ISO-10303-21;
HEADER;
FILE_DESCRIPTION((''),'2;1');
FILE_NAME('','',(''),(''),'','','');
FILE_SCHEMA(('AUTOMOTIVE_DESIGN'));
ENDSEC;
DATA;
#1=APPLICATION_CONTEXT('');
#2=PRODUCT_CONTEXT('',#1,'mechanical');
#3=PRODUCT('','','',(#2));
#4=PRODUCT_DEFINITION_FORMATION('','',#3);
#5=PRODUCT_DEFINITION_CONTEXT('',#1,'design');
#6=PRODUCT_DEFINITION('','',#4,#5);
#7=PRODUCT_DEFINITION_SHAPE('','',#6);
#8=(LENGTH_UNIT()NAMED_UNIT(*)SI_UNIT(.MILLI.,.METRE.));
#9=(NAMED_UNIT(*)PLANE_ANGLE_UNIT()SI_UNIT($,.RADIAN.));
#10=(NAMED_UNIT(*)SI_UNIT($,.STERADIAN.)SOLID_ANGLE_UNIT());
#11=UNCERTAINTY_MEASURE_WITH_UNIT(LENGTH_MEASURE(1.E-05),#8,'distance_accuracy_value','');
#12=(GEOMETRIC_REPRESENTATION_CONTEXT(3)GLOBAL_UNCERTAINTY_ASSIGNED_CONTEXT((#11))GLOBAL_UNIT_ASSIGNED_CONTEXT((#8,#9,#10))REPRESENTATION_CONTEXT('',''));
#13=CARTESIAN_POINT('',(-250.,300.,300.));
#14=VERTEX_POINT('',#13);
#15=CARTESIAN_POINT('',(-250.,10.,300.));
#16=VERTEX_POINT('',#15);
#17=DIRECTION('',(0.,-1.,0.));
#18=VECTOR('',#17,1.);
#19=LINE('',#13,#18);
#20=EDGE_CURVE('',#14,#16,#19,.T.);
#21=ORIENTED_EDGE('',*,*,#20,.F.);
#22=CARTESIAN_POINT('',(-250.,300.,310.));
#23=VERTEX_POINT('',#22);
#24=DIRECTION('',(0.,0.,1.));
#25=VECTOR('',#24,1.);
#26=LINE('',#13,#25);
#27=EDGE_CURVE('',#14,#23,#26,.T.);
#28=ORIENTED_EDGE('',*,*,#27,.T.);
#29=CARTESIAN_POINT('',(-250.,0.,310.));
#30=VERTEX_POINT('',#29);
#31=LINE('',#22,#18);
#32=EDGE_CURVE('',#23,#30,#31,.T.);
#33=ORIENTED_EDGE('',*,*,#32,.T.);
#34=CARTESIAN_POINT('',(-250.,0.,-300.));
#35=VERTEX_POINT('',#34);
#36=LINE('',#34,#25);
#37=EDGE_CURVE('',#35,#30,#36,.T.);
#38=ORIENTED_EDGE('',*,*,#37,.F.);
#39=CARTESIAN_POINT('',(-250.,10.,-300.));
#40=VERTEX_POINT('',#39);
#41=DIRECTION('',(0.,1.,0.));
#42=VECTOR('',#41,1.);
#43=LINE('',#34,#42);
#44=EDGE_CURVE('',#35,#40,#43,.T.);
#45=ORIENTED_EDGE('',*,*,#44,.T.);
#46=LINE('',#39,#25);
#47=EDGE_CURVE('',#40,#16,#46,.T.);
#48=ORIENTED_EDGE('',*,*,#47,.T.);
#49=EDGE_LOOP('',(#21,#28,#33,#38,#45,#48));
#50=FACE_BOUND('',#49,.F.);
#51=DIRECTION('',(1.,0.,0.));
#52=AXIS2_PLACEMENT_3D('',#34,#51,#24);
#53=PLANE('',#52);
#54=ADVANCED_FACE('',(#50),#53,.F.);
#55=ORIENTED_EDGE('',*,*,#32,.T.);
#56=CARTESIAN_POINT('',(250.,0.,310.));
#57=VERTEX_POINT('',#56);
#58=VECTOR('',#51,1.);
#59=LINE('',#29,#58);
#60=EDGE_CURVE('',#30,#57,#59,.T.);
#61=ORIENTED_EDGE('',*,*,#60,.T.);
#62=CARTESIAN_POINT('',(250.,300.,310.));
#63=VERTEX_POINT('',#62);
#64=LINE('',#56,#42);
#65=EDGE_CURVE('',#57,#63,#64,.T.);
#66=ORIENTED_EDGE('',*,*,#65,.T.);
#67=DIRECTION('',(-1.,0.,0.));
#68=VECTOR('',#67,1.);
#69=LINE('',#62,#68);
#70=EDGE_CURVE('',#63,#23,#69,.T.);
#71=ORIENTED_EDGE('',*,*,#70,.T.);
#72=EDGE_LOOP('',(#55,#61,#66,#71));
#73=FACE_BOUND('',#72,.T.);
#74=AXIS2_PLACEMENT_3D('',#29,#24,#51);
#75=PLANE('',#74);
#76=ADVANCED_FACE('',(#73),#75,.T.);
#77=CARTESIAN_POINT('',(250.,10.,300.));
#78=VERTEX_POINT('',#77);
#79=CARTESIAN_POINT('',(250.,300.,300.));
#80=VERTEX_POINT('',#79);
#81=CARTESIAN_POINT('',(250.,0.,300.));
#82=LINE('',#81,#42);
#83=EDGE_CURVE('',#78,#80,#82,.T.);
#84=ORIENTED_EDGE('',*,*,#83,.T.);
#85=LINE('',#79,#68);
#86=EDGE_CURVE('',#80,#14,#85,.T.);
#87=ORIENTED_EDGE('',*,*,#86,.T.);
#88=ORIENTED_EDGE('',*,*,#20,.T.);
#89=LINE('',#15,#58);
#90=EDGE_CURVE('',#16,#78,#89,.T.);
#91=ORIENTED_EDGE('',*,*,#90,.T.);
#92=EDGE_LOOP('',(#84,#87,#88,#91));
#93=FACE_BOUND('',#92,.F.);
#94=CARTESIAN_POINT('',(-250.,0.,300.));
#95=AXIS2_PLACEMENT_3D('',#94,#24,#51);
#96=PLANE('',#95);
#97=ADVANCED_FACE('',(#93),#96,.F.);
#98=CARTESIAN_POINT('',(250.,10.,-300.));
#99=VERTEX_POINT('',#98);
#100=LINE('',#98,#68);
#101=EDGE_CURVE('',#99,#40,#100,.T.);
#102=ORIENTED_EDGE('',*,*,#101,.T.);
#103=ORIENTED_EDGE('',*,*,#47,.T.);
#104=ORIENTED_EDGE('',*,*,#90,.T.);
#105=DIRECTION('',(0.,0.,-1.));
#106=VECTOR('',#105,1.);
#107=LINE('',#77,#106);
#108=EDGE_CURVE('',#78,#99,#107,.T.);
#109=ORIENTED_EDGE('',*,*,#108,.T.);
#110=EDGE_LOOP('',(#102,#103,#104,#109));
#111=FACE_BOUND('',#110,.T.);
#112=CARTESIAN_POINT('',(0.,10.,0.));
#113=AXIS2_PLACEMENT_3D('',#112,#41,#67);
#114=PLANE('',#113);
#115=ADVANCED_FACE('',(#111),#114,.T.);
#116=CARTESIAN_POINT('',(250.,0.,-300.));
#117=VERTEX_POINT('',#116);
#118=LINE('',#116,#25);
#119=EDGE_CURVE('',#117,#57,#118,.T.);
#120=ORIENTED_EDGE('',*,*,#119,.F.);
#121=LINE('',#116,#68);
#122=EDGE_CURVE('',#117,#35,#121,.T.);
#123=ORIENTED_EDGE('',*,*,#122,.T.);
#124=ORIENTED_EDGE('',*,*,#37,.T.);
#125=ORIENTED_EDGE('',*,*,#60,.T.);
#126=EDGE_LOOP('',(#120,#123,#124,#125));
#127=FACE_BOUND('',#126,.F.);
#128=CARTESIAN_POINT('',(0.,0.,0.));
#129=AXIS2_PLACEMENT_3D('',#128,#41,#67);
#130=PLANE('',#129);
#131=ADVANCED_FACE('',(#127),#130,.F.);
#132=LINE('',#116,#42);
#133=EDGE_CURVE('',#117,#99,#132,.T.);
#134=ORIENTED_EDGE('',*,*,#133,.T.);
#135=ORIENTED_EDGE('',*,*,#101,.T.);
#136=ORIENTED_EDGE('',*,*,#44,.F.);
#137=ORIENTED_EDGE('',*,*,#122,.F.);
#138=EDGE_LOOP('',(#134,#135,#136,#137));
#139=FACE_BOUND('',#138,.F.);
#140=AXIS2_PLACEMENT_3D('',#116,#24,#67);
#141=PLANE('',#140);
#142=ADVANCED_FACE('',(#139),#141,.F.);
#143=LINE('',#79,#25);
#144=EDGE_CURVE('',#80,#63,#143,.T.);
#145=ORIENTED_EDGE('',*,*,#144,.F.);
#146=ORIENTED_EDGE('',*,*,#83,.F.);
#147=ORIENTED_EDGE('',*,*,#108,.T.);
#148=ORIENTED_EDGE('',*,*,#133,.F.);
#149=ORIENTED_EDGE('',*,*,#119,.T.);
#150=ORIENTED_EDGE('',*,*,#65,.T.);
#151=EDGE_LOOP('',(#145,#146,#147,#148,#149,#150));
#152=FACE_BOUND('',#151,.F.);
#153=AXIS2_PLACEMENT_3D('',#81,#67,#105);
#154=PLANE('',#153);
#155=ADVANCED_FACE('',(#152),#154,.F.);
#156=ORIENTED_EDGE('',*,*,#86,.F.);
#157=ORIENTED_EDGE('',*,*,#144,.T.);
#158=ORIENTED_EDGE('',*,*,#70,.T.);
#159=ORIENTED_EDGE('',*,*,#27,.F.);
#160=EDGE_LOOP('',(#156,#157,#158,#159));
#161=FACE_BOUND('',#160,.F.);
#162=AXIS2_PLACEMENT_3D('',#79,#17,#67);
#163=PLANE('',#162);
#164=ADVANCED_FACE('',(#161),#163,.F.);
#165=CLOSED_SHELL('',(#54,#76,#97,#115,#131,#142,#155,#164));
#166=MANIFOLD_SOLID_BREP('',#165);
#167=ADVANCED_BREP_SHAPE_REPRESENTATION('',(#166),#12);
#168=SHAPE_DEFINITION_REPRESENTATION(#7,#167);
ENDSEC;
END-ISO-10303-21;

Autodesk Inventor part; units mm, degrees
ref_plane "YZ Plane" through (0, 0, 0) normal (1, 0, 0) x (0, 1, 0)
ref_plane "XZ Plane" through (0, 0, 0) normal (0, 1, 0) x (-1, 0, 0)
ref_plane "XY Plane" through (0, 0, 0) normal (0, 0, 1) x (1, 0, 0)
sketch "Sketch1" plane through (0, 0, 0) normal (0, 1, 0) x (-1, 0, 0)
  line L0 (10.2019, 0) -> (-11.9707, 0)
  line L1 (0, 17.6887) -> (0, -16.1667)
  line L2 (250, 300) -> (-250, 300)
  line L3 (-250, 300) -> (-250, -300)
  line L4 (-250, -300) -> (250, -300)
  line L5 (250, -300) -> (250, 300)
  point P0 (0, 0)
  dimension "d0" = 600
  dimension "d1" = 500
extrude "Extrusion1" add sketch "Sketch1" along normal blind 10
sketch "Sketch2" plane through (-250, 0, 300) normal (0, 0, 1) x (1, 0, 0)
  line L0 (0, 0) -> (500, 0)
  line L1 (500, 0) -> (500, 300)
  line L2 (500, 300) -> (0, 300)
  line L3 (0, 300) -> (0, 0)
  point P0 (250, 0)
  dimension "d4" = 300
  dimension "d5" = 500
extrude "Extrusion2" add sketch "Sketch2" along normal blind 10
properties part number "ground"
